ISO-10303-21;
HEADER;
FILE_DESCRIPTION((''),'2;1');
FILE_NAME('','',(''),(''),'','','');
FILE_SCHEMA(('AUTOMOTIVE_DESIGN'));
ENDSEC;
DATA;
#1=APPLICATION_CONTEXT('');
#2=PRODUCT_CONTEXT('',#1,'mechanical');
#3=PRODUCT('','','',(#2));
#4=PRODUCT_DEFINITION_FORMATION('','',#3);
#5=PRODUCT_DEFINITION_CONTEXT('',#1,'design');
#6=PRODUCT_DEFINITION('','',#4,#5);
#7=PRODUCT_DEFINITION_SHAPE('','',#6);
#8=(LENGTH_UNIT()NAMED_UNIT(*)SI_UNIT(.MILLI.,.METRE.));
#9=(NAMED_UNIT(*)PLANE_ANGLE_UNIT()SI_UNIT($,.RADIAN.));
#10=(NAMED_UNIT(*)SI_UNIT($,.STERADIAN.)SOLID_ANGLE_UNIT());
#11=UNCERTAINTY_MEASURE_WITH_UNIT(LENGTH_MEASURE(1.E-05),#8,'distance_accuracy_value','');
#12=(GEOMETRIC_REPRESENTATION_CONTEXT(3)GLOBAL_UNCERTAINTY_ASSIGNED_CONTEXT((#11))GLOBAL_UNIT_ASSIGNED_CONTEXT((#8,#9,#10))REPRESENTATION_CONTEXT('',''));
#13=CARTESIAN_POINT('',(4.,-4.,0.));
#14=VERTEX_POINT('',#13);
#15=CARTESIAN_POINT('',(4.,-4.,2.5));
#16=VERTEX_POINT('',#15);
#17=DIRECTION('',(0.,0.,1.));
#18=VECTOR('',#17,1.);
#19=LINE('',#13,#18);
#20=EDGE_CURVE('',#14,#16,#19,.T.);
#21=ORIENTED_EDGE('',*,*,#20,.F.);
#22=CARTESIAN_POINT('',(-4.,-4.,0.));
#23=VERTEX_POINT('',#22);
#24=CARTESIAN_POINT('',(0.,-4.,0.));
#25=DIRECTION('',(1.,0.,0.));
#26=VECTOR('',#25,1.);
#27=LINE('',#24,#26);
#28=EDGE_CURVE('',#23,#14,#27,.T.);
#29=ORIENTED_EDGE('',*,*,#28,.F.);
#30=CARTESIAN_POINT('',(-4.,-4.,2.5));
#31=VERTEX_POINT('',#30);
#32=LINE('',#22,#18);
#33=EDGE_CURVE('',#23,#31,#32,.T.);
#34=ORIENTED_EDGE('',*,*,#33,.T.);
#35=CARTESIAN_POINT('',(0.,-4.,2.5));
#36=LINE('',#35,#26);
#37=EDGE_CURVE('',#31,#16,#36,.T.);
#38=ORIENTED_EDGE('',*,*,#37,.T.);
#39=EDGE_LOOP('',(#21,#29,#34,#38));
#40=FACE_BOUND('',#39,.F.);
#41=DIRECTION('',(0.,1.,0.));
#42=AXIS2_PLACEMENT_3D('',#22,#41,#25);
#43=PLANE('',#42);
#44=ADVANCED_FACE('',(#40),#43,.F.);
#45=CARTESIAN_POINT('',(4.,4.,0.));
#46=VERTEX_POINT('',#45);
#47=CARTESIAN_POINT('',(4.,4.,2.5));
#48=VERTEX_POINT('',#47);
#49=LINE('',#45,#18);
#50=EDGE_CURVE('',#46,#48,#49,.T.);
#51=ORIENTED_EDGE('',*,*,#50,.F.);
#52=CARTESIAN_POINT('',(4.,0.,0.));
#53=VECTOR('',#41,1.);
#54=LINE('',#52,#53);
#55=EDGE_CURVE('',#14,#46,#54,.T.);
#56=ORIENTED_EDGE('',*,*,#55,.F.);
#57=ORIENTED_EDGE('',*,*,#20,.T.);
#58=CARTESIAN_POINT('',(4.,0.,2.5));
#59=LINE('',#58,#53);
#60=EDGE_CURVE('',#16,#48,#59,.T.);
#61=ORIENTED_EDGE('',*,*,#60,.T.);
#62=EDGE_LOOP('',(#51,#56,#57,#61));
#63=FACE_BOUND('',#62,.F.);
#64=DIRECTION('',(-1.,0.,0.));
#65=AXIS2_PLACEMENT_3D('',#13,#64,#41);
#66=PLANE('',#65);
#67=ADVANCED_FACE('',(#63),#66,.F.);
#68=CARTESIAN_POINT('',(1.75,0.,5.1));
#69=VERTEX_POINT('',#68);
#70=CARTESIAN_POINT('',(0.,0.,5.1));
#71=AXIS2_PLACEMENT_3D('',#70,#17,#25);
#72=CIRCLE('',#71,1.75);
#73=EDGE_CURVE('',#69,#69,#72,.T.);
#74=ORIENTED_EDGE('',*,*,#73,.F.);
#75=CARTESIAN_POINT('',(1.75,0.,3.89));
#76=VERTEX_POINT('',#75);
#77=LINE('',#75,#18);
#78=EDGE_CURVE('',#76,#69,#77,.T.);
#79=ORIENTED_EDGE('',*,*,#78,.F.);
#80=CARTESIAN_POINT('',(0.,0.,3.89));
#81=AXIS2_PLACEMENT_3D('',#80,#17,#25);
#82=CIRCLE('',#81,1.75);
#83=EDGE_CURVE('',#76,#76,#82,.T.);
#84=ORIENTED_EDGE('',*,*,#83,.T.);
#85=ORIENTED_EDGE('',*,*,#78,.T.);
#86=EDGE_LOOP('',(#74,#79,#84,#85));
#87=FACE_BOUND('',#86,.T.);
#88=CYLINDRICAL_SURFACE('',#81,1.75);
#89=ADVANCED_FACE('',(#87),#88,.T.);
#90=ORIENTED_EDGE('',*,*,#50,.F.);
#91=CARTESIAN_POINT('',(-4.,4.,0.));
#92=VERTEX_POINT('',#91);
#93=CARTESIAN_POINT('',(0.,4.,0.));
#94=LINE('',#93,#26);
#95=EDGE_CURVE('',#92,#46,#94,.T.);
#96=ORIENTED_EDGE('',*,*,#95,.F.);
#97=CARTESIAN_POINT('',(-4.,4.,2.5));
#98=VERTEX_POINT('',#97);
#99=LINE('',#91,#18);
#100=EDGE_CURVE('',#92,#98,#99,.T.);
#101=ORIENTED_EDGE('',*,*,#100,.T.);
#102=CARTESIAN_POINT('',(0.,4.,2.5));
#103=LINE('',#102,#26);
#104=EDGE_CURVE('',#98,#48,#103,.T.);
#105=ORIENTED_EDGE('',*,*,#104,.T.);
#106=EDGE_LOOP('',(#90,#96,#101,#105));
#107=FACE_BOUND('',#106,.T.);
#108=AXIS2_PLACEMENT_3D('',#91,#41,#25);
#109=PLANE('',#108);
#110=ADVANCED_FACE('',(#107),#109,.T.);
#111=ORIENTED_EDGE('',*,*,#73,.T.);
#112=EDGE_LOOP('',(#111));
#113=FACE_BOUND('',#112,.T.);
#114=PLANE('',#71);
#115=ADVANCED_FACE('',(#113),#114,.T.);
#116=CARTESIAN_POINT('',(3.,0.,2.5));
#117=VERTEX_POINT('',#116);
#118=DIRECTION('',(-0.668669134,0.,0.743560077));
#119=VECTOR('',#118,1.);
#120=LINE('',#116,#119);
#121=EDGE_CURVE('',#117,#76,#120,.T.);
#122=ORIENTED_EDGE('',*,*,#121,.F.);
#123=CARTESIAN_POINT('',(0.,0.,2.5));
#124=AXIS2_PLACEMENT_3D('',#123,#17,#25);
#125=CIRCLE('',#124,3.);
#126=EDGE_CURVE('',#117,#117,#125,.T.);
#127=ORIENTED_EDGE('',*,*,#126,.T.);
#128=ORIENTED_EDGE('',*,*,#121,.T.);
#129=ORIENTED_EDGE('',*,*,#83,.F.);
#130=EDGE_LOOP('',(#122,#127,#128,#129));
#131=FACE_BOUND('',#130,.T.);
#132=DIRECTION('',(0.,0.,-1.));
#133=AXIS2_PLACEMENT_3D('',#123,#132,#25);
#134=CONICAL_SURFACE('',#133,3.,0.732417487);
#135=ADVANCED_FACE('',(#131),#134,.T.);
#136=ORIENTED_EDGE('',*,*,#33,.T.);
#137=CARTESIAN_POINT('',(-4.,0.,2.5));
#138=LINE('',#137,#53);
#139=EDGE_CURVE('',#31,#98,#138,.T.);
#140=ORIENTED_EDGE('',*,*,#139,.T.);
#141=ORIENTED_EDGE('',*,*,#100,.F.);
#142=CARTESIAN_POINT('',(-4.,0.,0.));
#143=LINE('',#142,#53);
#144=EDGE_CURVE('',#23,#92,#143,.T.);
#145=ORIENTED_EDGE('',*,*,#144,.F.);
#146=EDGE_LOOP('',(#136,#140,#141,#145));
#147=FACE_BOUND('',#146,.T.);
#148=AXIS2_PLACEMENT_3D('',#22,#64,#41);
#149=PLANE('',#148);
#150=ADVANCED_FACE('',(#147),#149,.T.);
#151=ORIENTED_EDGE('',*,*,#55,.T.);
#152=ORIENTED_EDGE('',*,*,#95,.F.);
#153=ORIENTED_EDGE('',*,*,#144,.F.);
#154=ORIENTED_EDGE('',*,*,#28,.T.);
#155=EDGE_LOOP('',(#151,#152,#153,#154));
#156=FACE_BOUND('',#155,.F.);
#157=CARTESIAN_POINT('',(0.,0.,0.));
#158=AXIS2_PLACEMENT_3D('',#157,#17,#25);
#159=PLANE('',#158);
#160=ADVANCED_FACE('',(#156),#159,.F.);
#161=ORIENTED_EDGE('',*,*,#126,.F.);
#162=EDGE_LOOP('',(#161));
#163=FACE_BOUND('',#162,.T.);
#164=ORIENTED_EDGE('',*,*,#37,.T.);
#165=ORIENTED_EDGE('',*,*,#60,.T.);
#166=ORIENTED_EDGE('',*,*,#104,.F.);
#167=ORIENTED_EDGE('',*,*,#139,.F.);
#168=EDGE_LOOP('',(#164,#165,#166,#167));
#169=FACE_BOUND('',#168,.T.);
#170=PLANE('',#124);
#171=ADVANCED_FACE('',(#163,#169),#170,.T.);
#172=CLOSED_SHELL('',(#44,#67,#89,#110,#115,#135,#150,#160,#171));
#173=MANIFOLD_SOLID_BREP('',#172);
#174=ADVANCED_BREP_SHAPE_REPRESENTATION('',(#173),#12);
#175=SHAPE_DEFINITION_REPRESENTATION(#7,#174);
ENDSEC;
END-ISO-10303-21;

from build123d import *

# Parameters (mm, degrees)
F0_W     = 8
F0_H     = 8
F1_DEPTH = 2.5


with BuildPart() as f1:
    # F0 (on Top) → F1 (new body)
    with BuildSketch(Plane.XY):
        Rectangle(F0_W, F0_H)
    extrude(amount=F1_DEPTH)

    # F2 (on Front) → F3 (revolve)
    with BuildSketch(Plane.XZ):
        Polygon((0, 5.1), (0, 2.5), (3, 2.5), (1.75, 3.89), (1.75, 5.1), align=None)
    revolve(axis=Axis((0, 0, 3.8), (0, 0, 1)))


solid = f1.part
